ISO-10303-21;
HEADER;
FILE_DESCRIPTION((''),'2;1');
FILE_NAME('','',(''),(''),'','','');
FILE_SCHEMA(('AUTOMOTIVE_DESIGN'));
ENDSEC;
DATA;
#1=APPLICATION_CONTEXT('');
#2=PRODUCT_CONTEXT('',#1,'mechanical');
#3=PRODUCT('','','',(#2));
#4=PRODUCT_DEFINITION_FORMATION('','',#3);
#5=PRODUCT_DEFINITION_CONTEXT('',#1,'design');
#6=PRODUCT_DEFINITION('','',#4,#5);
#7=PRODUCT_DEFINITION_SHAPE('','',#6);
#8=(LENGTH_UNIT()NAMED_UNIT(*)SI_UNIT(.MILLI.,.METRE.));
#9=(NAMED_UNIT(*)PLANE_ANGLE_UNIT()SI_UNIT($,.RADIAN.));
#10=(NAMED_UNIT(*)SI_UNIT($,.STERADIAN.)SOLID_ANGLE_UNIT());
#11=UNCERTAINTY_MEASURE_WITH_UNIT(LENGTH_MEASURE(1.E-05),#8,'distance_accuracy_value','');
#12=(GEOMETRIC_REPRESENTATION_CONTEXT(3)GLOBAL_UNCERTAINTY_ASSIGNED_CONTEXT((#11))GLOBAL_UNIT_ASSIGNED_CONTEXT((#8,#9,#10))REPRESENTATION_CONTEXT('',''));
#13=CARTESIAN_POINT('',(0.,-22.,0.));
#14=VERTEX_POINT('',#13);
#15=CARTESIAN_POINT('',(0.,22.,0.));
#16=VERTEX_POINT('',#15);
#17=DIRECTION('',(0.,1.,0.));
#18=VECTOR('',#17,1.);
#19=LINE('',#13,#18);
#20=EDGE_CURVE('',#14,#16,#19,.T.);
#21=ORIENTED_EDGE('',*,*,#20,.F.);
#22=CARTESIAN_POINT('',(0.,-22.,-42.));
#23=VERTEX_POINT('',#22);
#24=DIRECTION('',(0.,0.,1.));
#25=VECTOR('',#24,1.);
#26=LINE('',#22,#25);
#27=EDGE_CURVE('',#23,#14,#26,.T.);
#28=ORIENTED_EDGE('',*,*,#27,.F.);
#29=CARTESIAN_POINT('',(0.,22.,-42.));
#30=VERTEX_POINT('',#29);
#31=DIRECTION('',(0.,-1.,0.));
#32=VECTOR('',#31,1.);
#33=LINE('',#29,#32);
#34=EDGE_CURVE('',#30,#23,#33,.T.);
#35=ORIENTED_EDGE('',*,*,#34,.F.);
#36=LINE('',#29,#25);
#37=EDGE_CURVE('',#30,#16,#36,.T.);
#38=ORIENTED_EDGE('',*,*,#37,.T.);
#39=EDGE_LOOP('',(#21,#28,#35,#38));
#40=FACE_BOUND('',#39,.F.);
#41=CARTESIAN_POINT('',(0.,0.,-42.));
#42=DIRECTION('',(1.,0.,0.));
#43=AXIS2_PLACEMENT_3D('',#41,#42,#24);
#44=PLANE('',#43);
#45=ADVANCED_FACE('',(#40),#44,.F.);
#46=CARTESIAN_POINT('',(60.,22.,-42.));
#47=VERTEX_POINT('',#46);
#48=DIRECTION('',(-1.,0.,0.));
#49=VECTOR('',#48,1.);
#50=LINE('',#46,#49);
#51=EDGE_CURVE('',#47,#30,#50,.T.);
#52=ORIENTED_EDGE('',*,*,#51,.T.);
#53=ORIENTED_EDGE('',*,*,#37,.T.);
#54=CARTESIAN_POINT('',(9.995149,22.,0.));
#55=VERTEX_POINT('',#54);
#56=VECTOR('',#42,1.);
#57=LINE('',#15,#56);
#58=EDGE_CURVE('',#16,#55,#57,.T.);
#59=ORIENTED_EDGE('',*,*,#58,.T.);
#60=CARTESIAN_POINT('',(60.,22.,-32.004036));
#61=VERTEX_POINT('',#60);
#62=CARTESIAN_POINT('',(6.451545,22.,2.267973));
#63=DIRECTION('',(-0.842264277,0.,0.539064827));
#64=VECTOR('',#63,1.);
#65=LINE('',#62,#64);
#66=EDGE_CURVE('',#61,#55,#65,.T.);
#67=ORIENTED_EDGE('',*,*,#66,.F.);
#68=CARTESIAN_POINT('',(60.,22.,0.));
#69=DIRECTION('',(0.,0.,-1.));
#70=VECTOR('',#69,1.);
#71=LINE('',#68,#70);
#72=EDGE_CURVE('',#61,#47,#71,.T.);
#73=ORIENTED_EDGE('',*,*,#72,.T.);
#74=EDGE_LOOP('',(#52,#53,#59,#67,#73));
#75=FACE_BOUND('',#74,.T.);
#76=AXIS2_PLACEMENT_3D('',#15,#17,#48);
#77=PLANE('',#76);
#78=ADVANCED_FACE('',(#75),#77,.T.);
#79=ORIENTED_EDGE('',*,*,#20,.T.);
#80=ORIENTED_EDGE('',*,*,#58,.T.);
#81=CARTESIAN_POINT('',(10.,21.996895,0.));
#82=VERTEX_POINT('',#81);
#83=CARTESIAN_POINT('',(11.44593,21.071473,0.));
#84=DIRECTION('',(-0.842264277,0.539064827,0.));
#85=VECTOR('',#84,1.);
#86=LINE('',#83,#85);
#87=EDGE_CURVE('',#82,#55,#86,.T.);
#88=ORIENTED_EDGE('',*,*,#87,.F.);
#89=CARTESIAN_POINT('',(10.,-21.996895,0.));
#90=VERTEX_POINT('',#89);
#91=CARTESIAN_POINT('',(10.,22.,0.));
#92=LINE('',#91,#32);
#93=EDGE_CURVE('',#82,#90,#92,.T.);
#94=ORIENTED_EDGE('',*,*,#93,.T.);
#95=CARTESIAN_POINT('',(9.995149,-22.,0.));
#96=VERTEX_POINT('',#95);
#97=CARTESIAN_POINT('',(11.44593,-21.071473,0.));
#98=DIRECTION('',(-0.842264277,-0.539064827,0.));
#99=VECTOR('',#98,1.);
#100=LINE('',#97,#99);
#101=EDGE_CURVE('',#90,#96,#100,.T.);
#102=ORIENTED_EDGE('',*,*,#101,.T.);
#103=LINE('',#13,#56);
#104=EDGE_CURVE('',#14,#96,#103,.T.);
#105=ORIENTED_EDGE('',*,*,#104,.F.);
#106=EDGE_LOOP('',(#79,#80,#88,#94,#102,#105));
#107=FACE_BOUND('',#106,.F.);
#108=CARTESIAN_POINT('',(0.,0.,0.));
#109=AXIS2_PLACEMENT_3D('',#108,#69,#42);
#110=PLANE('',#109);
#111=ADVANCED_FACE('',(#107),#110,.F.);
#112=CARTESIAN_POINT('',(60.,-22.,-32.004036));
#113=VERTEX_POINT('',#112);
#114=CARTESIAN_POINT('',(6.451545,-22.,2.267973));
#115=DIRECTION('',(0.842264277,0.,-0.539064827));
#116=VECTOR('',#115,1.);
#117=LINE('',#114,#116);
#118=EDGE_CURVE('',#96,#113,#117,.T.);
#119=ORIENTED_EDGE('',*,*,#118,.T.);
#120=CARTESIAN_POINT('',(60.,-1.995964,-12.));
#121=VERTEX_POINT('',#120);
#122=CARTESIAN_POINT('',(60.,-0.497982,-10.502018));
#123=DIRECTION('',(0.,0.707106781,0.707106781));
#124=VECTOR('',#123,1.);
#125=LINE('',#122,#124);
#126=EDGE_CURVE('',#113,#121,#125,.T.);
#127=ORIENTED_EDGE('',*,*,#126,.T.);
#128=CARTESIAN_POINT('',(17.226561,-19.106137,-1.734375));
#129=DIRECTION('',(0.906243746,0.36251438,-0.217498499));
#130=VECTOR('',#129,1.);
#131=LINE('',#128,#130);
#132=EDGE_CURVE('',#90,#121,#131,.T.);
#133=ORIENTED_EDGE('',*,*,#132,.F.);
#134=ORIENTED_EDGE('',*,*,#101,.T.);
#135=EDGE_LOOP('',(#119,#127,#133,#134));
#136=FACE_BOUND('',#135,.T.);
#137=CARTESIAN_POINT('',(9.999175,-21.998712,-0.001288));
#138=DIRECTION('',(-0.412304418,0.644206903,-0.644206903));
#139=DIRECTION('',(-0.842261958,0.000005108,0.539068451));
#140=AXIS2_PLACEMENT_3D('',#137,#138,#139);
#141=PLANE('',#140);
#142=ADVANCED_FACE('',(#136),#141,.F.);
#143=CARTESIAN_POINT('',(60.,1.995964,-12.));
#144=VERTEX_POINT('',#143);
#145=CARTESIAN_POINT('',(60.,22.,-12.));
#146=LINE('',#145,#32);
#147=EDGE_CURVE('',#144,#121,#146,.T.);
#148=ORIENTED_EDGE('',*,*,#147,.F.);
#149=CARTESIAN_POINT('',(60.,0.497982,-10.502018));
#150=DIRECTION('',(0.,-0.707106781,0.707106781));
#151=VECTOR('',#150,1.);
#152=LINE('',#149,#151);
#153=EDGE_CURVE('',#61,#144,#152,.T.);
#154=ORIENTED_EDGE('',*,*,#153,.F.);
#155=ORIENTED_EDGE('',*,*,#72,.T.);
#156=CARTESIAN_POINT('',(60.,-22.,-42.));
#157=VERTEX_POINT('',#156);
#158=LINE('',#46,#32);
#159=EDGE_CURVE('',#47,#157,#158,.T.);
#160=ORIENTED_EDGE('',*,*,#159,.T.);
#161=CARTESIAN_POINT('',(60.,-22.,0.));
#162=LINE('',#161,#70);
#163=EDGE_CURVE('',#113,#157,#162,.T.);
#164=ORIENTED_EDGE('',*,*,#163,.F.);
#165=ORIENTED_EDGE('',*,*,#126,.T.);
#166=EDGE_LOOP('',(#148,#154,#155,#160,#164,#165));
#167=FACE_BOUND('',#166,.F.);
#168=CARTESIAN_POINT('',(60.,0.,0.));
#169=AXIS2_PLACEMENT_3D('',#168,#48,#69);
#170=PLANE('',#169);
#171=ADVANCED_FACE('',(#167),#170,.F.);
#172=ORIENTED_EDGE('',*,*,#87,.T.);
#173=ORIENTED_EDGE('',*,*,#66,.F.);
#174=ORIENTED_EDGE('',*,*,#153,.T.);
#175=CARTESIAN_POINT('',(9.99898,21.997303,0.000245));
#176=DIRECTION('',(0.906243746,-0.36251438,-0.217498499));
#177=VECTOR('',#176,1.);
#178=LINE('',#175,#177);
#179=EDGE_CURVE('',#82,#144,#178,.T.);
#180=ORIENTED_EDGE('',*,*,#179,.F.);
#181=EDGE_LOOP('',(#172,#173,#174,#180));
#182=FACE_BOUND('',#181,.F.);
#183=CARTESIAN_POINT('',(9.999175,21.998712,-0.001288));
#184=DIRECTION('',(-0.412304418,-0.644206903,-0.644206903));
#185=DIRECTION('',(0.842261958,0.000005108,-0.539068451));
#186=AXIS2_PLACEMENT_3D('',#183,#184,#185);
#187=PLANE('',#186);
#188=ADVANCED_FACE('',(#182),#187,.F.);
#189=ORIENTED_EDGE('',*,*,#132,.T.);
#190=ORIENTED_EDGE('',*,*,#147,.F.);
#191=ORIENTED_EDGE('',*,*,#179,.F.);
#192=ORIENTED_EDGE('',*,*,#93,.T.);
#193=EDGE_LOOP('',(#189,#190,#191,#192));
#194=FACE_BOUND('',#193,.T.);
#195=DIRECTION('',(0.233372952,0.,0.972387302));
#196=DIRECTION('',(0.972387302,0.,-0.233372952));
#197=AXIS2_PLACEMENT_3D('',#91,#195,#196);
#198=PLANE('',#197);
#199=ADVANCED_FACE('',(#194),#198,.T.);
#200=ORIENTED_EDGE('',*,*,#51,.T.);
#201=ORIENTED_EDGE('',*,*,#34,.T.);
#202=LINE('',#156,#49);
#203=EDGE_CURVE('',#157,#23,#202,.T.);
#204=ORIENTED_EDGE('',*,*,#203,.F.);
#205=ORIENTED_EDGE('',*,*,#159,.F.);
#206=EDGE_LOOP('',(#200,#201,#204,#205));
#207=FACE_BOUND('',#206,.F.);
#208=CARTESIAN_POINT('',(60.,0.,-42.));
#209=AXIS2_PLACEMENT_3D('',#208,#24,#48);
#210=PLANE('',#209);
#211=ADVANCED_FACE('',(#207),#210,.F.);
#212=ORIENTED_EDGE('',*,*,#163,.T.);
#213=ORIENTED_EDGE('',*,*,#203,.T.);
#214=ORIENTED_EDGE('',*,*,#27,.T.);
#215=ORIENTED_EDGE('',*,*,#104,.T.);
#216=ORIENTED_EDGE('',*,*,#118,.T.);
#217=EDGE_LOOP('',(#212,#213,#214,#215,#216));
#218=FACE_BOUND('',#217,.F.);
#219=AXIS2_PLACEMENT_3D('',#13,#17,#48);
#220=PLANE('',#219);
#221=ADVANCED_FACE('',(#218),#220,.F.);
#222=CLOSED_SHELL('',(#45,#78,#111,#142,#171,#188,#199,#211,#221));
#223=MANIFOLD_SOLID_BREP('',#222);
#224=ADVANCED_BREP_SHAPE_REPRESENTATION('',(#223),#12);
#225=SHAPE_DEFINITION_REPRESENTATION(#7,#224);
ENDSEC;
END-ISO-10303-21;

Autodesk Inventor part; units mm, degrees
ref_plane "YZ Plane" through (0, 0, 0) normal (1, 0, 0) x (0, 1, 0)
ref_plane "XZ Plane" through (0, 0, 0) normal (0, 1, 0) x (-1, 0, 0)
sketch "草圖1" plane through (0, 0, 0) normal (0, 1, 0) x (-1, 0, 0)
  line L0 (0, 0) -> (-60, 0)
  line L1 (-60, 0) -> (-60, -42)
  line L2 (-60, -42) -> (0, -42)
  line L3 (0, -42) -> (0, 0)
  dimension "d0" = 60
  dimension "d1" = 42
extrude "擠出1" add sketch "草圖1" along normal mid plane 44
sketch "草圖2" plane through (0, 22, 0) normal (0, 1, 0) x (1, 0, 0)
  line L0 (0, 0) -> (60, 0) projected
  line L1 (10, 0) -> (60, 12)
  line L2 (60, 0) -> (60, 42) projected
  dimension "d4" = 10
  dimension "d5" = 30
extrude "擠出2" cut sketch "草圖2" against normal blind 60
sketch "草圖3" plane through (60, -22, -42) normal (1, 0, 0) x (0, 0, -1)
  line L0 (-30, 24) -> (-10, 44)
  line L1 (0, 44) -> (-42, 44) projected
  line L2 (-30, 44) -> (-30, 0) projected
  point P0 (-42, 22)
  point P1 (-30, 2)
  dimension "d8" = 20
  dimension "d9" = 20
ref_plane "工作平面1" through (10, 22, 0) normal (-0.4123, -0.6442, -0.6442) x (0.8423, 0, -0.5391)
sketch "草圖4" plane through (10, 22, 0) normal (-0.4123, -0.6442, -0.6442) x (0.8423, 0, -0.5391)
  line L0 (-15.1543, -12.3218) -> (93.717, -12.3218)
  line L1 (93.717, -12.3218) -> (93.717, 28.8166)
  line L2 (93.717, 28.8166) -> (-15.1543, 28.8166)
  line L3 (-15.1543, 28.8166) -> (-15.1543, -12.3218)
  point P0 (-8.4227, 13.354)
extrude "擠出3" cut sketch "草圖4" against normal blind 40
mirror "鏡射1" about plane through (0, 0, 0) normal (0, 1, 0) of "擠出3"
properties part number "58"
